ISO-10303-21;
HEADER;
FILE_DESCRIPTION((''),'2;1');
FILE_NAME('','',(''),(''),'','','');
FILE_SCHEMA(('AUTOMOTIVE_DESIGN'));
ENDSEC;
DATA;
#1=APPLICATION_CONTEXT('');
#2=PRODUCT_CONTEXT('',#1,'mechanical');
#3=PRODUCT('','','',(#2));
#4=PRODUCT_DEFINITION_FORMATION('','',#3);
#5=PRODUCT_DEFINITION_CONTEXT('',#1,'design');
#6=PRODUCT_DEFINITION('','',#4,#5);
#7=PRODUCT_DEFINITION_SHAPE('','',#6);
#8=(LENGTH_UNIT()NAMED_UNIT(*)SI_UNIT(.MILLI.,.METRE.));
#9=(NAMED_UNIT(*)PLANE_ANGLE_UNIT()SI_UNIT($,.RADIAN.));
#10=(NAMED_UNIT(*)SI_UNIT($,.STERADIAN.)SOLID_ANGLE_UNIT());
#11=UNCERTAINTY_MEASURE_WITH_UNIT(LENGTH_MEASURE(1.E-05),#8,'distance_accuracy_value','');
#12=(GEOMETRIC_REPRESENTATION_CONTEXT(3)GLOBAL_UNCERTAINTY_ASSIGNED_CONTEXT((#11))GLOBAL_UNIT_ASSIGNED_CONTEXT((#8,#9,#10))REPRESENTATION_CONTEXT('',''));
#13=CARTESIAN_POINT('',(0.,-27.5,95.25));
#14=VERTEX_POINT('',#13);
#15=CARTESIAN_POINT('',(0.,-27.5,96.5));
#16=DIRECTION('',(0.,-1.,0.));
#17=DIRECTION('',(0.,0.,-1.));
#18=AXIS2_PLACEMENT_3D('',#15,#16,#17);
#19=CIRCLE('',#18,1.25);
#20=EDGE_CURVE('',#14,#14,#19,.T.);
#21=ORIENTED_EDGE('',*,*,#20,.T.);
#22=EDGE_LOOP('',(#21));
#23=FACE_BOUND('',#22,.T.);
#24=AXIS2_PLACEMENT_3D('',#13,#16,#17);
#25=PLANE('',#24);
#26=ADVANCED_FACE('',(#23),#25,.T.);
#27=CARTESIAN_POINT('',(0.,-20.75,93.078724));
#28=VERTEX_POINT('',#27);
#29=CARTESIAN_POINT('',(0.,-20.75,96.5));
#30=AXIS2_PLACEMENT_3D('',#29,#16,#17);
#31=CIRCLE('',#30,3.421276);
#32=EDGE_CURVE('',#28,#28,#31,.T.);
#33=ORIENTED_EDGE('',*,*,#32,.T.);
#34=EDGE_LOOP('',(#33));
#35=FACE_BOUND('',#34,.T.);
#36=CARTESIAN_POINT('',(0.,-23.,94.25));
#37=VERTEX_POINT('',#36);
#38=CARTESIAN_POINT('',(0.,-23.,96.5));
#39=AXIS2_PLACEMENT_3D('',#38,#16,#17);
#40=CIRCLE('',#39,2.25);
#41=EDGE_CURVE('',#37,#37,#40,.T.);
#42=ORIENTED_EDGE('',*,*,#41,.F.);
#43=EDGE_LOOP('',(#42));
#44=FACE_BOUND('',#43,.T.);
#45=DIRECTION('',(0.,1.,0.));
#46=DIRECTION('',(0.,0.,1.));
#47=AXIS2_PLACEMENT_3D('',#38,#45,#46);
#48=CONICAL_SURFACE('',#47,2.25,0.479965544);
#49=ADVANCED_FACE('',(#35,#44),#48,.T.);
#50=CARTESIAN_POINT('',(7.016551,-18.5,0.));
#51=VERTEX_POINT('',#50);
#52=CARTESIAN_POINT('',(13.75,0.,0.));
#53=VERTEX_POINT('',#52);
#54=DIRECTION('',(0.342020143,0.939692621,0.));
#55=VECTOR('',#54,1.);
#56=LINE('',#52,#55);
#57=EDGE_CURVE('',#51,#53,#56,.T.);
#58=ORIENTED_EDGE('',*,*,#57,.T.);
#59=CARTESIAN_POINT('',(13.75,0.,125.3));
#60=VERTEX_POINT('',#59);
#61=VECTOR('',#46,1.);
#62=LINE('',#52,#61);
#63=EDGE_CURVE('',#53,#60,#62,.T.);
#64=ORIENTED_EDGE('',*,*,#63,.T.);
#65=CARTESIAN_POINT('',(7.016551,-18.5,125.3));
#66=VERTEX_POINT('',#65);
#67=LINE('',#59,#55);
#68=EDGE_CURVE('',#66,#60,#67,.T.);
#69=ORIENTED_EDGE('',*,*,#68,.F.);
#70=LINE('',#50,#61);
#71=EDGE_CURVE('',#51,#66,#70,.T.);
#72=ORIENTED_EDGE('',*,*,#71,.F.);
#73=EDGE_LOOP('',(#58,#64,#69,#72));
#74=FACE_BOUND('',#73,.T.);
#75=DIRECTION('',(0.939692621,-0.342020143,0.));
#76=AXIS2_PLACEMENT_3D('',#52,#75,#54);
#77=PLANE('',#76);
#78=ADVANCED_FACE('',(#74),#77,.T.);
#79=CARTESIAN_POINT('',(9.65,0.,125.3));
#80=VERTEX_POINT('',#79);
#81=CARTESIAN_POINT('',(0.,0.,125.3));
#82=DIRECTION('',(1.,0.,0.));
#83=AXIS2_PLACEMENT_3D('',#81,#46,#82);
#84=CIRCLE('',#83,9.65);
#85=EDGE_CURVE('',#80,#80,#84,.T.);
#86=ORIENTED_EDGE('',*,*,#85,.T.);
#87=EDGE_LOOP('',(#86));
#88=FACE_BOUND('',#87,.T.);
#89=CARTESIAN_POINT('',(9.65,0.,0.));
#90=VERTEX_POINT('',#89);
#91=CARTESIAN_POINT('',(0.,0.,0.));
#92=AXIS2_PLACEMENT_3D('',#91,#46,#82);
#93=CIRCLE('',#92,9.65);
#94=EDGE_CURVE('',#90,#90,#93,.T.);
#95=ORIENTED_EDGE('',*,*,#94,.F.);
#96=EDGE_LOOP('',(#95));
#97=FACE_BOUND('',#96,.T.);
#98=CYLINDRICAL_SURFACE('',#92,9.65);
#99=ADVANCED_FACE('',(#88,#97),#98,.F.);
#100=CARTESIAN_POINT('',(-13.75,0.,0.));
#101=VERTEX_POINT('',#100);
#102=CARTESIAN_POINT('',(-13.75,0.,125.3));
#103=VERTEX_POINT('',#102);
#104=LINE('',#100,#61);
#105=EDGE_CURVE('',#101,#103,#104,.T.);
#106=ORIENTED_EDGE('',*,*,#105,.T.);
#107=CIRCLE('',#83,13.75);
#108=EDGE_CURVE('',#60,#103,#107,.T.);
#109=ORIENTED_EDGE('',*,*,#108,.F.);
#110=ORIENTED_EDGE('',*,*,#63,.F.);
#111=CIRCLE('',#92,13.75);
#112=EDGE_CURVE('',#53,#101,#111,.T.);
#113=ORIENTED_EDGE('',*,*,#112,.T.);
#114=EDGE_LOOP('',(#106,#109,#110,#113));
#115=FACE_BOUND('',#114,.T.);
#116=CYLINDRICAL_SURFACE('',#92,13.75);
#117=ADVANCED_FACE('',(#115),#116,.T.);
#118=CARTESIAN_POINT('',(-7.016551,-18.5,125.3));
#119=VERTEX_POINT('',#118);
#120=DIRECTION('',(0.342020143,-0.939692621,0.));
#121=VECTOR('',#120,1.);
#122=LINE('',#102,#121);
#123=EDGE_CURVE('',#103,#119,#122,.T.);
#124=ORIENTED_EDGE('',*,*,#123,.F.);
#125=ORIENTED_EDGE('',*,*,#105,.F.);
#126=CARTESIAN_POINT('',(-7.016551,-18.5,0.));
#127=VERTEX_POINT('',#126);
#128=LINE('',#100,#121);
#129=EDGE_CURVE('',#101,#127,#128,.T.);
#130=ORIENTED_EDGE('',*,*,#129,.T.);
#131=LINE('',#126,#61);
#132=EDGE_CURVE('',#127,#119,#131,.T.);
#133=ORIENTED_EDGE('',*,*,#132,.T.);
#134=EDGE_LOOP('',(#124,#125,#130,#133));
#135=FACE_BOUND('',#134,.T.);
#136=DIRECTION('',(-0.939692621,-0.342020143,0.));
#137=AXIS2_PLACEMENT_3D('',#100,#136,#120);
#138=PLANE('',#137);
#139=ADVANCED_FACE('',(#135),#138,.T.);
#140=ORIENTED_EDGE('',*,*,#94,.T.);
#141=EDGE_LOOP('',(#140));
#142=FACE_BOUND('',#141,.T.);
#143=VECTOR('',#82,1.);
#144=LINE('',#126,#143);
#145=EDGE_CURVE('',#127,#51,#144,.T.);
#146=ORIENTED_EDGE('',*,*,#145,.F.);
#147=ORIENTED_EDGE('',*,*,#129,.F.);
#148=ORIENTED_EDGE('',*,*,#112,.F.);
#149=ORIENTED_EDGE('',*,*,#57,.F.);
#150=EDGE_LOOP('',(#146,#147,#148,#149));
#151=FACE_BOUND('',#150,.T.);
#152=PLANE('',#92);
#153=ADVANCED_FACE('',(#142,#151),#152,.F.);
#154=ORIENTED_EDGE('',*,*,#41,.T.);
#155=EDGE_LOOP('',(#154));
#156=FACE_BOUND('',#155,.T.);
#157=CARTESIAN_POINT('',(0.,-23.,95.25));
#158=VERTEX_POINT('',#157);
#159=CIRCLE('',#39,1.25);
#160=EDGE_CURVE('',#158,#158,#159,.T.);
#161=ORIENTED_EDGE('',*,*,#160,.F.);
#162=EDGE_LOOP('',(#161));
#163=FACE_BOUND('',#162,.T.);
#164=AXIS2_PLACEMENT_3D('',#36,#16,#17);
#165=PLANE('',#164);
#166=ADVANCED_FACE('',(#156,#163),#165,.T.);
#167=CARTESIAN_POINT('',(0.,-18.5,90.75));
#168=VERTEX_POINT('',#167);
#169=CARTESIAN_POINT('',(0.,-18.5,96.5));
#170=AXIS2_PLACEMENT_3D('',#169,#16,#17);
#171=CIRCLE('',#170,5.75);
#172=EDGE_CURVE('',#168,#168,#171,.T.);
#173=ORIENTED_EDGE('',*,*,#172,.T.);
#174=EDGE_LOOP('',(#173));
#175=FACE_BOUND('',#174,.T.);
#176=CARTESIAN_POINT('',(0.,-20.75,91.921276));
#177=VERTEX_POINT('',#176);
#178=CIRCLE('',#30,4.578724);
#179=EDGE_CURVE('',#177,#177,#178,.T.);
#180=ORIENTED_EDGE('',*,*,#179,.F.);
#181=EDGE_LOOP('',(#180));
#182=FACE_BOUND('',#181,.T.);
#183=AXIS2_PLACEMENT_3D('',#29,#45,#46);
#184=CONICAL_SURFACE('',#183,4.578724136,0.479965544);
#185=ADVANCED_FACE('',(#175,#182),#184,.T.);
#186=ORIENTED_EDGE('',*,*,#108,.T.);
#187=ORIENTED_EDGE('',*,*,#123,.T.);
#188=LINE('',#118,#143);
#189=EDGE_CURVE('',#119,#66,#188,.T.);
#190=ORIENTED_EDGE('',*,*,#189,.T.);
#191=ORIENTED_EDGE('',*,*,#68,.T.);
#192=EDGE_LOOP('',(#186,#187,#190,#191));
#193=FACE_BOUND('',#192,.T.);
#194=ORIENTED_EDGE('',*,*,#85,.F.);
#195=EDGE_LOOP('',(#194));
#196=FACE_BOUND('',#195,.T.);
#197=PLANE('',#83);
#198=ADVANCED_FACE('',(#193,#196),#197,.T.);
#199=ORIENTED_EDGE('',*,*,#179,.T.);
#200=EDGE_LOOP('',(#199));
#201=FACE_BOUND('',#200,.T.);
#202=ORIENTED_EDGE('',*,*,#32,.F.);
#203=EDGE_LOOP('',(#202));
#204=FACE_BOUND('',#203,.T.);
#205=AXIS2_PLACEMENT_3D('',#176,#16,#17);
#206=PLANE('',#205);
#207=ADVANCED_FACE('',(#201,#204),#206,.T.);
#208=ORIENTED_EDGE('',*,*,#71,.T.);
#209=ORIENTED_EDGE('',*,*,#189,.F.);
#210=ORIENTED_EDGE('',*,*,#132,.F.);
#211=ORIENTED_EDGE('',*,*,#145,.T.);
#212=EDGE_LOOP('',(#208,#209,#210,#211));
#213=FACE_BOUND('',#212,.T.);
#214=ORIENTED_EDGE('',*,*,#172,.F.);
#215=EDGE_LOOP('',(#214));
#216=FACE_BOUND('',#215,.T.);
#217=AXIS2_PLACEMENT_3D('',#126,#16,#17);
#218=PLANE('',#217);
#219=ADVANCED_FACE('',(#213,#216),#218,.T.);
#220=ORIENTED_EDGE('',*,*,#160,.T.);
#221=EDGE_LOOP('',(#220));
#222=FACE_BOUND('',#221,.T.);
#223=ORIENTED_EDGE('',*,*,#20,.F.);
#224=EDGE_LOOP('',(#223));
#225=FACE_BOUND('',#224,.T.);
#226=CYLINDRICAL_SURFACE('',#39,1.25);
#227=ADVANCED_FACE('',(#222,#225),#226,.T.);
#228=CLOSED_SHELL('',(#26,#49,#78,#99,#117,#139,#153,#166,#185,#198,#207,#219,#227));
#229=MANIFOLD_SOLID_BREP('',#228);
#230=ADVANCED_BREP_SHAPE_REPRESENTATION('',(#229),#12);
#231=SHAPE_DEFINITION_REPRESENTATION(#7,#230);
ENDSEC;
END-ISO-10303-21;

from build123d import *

# Parameters (mm, degrees)
SKETCH1_R  = 9.65
BODY_DEPTH = 125.3


with BuildPart() as part:
    # Sketch1 → Body (new body)
    with BuildSketch(Plane.XY.offset(125.3)):
        with BuildLine():
            Line((-7.016550666, -18.5), (7.016550666, -18.5))
            Line((7.016550666, -18.5), (13.75, 0))
            ThreePointArc((13.75, 0), (0, 13.75), (-13.75, 0))
            Line((-13.75, 0), (-7.016550666, -18.5))
        make_face()
        Circle(SKETCH1_R, mode=Mode.SUBTRACT)
    extrude(amount=-BODY_DEPTH)

    # Sketch2 → Electric-Output (revolve)
    with BuildSketch(Plane(origin=(0, 0, 0), x_dir=(0, 0, -1), z_dir=(1, 0, 0))):
        Polygon((-91.921275864, -20.75), (-90.75, -18.5), (-96.5, -18.5), (-96.5, -23), (-96.5, -27.5), (-95.25, -27.5), (-95.25, -23), (-94.25, -23), (-93.078724136, -20.75), align=None)
    revolve(axis=Axis((0, -23, 96.5), (0, 1, 0)))


solid = part.part
